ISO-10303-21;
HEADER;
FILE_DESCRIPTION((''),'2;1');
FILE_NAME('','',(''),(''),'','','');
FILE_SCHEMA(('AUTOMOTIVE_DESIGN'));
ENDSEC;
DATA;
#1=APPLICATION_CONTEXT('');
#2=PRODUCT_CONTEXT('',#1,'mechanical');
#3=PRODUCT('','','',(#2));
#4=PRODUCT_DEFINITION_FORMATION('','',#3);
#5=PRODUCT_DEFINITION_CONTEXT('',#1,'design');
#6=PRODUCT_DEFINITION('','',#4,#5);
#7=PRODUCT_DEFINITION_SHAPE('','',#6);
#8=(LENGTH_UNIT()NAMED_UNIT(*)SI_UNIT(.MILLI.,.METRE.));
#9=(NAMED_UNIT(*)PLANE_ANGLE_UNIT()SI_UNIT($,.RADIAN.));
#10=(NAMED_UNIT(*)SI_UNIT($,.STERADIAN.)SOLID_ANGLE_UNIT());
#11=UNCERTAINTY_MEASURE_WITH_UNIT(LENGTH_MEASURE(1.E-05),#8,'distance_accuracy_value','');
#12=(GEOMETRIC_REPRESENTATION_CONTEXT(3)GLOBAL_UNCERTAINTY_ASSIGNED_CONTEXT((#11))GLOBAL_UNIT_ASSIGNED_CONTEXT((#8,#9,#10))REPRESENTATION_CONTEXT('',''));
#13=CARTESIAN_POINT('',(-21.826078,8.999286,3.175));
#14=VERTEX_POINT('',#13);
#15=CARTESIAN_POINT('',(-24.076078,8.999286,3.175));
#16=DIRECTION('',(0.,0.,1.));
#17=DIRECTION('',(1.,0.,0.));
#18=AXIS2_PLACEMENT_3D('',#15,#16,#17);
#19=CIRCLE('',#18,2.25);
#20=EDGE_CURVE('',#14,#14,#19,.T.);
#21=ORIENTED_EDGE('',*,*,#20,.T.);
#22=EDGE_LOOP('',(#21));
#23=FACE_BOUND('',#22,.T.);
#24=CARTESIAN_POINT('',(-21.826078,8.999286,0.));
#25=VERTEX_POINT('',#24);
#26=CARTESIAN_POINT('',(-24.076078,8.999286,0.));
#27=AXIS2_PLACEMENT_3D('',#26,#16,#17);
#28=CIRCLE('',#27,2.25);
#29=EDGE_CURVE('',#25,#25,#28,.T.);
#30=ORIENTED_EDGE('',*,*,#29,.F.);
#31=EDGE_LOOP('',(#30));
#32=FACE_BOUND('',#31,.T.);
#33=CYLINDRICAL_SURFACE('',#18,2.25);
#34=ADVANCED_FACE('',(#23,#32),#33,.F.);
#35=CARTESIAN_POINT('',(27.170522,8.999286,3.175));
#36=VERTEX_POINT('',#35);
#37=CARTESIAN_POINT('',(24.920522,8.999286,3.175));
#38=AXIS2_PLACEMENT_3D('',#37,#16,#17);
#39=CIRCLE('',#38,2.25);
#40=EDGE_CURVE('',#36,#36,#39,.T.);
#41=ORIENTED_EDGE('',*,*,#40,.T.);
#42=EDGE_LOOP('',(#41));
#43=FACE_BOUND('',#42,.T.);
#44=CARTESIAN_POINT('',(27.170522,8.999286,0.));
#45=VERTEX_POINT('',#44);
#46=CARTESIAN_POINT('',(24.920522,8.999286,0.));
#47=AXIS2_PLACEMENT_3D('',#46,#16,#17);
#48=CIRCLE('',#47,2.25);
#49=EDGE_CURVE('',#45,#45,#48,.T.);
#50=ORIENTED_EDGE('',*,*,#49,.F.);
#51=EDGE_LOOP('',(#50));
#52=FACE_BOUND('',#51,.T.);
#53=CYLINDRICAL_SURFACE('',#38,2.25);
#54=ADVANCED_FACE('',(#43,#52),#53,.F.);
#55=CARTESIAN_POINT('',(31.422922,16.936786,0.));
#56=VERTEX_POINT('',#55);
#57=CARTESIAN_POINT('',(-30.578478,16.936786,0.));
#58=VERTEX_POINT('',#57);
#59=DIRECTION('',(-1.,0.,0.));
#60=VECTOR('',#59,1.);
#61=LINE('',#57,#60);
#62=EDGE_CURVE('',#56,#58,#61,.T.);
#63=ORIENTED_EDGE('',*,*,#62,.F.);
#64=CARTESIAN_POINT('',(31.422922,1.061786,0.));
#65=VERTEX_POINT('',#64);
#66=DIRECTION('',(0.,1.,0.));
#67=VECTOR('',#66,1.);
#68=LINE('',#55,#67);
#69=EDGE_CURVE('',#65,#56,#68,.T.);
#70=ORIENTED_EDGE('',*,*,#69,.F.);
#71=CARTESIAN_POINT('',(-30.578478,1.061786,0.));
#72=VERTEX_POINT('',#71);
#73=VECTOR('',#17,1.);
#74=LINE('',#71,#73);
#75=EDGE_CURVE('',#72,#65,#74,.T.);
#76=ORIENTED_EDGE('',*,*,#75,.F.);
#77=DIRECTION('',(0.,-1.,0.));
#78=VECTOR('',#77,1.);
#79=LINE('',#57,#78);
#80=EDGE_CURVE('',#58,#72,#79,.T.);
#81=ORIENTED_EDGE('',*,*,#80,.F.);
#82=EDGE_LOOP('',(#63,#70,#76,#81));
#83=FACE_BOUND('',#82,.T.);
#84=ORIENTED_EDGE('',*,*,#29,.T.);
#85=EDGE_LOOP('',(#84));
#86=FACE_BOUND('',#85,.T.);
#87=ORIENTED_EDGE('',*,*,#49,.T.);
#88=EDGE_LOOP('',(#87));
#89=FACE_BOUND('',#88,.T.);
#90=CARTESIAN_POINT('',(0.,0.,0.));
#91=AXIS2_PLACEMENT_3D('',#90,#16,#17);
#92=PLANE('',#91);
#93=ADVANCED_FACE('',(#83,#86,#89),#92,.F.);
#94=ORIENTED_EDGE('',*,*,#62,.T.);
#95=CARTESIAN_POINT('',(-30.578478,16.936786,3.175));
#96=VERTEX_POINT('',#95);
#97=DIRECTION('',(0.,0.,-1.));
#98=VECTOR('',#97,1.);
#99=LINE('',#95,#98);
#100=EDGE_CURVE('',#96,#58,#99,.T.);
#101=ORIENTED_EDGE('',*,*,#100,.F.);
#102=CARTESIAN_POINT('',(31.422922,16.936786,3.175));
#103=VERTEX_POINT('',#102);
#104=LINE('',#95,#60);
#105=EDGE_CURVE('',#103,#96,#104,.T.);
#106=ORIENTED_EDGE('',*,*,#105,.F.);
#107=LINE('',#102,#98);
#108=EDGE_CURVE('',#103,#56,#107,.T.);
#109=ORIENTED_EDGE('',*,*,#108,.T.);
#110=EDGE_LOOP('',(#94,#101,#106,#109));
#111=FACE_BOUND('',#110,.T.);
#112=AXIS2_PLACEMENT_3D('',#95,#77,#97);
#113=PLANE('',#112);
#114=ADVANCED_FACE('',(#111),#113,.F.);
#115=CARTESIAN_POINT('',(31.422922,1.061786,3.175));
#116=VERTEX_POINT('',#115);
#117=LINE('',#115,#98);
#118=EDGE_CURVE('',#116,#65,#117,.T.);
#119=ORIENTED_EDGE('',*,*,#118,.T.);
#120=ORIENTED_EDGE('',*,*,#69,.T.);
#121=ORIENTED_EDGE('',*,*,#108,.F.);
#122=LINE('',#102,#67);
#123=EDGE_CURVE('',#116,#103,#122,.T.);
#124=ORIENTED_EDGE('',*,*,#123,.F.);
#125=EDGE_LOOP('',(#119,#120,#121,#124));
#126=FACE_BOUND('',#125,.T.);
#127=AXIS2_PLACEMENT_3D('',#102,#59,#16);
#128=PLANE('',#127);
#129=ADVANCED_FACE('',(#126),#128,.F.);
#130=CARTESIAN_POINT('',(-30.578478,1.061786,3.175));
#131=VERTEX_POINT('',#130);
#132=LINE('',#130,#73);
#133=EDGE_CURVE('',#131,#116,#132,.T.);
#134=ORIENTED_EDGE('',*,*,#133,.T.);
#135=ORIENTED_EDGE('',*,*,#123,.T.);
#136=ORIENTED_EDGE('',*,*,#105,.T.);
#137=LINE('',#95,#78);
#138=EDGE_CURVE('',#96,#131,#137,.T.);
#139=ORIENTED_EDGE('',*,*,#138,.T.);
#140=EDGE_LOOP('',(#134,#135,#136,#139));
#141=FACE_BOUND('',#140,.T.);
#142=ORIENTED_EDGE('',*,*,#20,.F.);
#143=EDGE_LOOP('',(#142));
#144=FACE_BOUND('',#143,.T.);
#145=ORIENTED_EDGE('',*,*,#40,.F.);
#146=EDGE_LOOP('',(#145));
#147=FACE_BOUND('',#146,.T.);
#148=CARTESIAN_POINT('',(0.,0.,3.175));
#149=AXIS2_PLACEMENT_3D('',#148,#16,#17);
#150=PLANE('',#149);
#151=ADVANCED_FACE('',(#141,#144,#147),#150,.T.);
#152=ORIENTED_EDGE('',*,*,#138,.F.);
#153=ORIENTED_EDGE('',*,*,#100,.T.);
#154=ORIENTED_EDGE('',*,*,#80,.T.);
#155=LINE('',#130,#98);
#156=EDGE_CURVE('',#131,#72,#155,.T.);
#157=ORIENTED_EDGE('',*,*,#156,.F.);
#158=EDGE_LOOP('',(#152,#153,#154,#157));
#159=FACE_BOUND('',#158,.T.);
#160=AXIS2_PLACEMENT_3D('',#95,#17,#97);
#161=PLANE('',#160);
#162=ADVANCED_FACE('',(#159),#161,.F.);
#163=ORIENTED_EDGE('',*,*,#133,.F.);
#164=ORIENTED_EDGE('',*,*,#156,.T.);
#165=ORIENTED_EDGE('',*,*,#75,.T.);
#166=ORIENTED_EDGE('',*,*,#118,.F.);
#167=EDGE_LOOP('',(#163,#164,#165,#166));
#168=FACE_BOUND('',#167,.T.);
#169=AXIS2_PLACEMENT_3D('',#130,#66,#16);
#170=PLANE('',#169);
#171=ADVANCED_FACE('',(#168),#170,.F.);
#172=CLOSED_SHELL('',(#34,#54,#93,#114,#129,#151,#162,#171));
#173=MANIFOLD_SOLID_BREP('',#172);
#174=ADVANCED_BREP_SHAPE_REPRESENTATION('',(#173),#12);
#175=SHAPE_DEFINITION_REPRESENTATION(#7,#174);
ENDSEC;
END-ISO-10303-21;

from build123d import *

# Parameters (mm, degrees)
SKETCH2_W            = 62.0014
SKETCH2_H            = 15.875
BOSS_EXTRUDE1_DEPTH  = 3.175
M4_CLEARANCE_HOLE1_D = 4.5


with BuildPart() as part:
    # Sketch2 → Boss-Extrude1 (new body)
    with BuildSketch(Plane.XY):
        with Locations((0.422222459, 8.999286052)):
            Rectangle(SKETCH2_W, SKETCH2_H)
    extrude(amount=BOSS_EXTRUDE1_DEPTH)

    # M4 Clearance Hole1 (through all)
    with Locations(Plane.XY.offset(3.175)):
        with Locations((-24.076077541, 8.999286052), (24.920522459, 8.999286052)):
            Hole(M4_CLEARANCE_HOLE1_D / 2)


solid = part.part
